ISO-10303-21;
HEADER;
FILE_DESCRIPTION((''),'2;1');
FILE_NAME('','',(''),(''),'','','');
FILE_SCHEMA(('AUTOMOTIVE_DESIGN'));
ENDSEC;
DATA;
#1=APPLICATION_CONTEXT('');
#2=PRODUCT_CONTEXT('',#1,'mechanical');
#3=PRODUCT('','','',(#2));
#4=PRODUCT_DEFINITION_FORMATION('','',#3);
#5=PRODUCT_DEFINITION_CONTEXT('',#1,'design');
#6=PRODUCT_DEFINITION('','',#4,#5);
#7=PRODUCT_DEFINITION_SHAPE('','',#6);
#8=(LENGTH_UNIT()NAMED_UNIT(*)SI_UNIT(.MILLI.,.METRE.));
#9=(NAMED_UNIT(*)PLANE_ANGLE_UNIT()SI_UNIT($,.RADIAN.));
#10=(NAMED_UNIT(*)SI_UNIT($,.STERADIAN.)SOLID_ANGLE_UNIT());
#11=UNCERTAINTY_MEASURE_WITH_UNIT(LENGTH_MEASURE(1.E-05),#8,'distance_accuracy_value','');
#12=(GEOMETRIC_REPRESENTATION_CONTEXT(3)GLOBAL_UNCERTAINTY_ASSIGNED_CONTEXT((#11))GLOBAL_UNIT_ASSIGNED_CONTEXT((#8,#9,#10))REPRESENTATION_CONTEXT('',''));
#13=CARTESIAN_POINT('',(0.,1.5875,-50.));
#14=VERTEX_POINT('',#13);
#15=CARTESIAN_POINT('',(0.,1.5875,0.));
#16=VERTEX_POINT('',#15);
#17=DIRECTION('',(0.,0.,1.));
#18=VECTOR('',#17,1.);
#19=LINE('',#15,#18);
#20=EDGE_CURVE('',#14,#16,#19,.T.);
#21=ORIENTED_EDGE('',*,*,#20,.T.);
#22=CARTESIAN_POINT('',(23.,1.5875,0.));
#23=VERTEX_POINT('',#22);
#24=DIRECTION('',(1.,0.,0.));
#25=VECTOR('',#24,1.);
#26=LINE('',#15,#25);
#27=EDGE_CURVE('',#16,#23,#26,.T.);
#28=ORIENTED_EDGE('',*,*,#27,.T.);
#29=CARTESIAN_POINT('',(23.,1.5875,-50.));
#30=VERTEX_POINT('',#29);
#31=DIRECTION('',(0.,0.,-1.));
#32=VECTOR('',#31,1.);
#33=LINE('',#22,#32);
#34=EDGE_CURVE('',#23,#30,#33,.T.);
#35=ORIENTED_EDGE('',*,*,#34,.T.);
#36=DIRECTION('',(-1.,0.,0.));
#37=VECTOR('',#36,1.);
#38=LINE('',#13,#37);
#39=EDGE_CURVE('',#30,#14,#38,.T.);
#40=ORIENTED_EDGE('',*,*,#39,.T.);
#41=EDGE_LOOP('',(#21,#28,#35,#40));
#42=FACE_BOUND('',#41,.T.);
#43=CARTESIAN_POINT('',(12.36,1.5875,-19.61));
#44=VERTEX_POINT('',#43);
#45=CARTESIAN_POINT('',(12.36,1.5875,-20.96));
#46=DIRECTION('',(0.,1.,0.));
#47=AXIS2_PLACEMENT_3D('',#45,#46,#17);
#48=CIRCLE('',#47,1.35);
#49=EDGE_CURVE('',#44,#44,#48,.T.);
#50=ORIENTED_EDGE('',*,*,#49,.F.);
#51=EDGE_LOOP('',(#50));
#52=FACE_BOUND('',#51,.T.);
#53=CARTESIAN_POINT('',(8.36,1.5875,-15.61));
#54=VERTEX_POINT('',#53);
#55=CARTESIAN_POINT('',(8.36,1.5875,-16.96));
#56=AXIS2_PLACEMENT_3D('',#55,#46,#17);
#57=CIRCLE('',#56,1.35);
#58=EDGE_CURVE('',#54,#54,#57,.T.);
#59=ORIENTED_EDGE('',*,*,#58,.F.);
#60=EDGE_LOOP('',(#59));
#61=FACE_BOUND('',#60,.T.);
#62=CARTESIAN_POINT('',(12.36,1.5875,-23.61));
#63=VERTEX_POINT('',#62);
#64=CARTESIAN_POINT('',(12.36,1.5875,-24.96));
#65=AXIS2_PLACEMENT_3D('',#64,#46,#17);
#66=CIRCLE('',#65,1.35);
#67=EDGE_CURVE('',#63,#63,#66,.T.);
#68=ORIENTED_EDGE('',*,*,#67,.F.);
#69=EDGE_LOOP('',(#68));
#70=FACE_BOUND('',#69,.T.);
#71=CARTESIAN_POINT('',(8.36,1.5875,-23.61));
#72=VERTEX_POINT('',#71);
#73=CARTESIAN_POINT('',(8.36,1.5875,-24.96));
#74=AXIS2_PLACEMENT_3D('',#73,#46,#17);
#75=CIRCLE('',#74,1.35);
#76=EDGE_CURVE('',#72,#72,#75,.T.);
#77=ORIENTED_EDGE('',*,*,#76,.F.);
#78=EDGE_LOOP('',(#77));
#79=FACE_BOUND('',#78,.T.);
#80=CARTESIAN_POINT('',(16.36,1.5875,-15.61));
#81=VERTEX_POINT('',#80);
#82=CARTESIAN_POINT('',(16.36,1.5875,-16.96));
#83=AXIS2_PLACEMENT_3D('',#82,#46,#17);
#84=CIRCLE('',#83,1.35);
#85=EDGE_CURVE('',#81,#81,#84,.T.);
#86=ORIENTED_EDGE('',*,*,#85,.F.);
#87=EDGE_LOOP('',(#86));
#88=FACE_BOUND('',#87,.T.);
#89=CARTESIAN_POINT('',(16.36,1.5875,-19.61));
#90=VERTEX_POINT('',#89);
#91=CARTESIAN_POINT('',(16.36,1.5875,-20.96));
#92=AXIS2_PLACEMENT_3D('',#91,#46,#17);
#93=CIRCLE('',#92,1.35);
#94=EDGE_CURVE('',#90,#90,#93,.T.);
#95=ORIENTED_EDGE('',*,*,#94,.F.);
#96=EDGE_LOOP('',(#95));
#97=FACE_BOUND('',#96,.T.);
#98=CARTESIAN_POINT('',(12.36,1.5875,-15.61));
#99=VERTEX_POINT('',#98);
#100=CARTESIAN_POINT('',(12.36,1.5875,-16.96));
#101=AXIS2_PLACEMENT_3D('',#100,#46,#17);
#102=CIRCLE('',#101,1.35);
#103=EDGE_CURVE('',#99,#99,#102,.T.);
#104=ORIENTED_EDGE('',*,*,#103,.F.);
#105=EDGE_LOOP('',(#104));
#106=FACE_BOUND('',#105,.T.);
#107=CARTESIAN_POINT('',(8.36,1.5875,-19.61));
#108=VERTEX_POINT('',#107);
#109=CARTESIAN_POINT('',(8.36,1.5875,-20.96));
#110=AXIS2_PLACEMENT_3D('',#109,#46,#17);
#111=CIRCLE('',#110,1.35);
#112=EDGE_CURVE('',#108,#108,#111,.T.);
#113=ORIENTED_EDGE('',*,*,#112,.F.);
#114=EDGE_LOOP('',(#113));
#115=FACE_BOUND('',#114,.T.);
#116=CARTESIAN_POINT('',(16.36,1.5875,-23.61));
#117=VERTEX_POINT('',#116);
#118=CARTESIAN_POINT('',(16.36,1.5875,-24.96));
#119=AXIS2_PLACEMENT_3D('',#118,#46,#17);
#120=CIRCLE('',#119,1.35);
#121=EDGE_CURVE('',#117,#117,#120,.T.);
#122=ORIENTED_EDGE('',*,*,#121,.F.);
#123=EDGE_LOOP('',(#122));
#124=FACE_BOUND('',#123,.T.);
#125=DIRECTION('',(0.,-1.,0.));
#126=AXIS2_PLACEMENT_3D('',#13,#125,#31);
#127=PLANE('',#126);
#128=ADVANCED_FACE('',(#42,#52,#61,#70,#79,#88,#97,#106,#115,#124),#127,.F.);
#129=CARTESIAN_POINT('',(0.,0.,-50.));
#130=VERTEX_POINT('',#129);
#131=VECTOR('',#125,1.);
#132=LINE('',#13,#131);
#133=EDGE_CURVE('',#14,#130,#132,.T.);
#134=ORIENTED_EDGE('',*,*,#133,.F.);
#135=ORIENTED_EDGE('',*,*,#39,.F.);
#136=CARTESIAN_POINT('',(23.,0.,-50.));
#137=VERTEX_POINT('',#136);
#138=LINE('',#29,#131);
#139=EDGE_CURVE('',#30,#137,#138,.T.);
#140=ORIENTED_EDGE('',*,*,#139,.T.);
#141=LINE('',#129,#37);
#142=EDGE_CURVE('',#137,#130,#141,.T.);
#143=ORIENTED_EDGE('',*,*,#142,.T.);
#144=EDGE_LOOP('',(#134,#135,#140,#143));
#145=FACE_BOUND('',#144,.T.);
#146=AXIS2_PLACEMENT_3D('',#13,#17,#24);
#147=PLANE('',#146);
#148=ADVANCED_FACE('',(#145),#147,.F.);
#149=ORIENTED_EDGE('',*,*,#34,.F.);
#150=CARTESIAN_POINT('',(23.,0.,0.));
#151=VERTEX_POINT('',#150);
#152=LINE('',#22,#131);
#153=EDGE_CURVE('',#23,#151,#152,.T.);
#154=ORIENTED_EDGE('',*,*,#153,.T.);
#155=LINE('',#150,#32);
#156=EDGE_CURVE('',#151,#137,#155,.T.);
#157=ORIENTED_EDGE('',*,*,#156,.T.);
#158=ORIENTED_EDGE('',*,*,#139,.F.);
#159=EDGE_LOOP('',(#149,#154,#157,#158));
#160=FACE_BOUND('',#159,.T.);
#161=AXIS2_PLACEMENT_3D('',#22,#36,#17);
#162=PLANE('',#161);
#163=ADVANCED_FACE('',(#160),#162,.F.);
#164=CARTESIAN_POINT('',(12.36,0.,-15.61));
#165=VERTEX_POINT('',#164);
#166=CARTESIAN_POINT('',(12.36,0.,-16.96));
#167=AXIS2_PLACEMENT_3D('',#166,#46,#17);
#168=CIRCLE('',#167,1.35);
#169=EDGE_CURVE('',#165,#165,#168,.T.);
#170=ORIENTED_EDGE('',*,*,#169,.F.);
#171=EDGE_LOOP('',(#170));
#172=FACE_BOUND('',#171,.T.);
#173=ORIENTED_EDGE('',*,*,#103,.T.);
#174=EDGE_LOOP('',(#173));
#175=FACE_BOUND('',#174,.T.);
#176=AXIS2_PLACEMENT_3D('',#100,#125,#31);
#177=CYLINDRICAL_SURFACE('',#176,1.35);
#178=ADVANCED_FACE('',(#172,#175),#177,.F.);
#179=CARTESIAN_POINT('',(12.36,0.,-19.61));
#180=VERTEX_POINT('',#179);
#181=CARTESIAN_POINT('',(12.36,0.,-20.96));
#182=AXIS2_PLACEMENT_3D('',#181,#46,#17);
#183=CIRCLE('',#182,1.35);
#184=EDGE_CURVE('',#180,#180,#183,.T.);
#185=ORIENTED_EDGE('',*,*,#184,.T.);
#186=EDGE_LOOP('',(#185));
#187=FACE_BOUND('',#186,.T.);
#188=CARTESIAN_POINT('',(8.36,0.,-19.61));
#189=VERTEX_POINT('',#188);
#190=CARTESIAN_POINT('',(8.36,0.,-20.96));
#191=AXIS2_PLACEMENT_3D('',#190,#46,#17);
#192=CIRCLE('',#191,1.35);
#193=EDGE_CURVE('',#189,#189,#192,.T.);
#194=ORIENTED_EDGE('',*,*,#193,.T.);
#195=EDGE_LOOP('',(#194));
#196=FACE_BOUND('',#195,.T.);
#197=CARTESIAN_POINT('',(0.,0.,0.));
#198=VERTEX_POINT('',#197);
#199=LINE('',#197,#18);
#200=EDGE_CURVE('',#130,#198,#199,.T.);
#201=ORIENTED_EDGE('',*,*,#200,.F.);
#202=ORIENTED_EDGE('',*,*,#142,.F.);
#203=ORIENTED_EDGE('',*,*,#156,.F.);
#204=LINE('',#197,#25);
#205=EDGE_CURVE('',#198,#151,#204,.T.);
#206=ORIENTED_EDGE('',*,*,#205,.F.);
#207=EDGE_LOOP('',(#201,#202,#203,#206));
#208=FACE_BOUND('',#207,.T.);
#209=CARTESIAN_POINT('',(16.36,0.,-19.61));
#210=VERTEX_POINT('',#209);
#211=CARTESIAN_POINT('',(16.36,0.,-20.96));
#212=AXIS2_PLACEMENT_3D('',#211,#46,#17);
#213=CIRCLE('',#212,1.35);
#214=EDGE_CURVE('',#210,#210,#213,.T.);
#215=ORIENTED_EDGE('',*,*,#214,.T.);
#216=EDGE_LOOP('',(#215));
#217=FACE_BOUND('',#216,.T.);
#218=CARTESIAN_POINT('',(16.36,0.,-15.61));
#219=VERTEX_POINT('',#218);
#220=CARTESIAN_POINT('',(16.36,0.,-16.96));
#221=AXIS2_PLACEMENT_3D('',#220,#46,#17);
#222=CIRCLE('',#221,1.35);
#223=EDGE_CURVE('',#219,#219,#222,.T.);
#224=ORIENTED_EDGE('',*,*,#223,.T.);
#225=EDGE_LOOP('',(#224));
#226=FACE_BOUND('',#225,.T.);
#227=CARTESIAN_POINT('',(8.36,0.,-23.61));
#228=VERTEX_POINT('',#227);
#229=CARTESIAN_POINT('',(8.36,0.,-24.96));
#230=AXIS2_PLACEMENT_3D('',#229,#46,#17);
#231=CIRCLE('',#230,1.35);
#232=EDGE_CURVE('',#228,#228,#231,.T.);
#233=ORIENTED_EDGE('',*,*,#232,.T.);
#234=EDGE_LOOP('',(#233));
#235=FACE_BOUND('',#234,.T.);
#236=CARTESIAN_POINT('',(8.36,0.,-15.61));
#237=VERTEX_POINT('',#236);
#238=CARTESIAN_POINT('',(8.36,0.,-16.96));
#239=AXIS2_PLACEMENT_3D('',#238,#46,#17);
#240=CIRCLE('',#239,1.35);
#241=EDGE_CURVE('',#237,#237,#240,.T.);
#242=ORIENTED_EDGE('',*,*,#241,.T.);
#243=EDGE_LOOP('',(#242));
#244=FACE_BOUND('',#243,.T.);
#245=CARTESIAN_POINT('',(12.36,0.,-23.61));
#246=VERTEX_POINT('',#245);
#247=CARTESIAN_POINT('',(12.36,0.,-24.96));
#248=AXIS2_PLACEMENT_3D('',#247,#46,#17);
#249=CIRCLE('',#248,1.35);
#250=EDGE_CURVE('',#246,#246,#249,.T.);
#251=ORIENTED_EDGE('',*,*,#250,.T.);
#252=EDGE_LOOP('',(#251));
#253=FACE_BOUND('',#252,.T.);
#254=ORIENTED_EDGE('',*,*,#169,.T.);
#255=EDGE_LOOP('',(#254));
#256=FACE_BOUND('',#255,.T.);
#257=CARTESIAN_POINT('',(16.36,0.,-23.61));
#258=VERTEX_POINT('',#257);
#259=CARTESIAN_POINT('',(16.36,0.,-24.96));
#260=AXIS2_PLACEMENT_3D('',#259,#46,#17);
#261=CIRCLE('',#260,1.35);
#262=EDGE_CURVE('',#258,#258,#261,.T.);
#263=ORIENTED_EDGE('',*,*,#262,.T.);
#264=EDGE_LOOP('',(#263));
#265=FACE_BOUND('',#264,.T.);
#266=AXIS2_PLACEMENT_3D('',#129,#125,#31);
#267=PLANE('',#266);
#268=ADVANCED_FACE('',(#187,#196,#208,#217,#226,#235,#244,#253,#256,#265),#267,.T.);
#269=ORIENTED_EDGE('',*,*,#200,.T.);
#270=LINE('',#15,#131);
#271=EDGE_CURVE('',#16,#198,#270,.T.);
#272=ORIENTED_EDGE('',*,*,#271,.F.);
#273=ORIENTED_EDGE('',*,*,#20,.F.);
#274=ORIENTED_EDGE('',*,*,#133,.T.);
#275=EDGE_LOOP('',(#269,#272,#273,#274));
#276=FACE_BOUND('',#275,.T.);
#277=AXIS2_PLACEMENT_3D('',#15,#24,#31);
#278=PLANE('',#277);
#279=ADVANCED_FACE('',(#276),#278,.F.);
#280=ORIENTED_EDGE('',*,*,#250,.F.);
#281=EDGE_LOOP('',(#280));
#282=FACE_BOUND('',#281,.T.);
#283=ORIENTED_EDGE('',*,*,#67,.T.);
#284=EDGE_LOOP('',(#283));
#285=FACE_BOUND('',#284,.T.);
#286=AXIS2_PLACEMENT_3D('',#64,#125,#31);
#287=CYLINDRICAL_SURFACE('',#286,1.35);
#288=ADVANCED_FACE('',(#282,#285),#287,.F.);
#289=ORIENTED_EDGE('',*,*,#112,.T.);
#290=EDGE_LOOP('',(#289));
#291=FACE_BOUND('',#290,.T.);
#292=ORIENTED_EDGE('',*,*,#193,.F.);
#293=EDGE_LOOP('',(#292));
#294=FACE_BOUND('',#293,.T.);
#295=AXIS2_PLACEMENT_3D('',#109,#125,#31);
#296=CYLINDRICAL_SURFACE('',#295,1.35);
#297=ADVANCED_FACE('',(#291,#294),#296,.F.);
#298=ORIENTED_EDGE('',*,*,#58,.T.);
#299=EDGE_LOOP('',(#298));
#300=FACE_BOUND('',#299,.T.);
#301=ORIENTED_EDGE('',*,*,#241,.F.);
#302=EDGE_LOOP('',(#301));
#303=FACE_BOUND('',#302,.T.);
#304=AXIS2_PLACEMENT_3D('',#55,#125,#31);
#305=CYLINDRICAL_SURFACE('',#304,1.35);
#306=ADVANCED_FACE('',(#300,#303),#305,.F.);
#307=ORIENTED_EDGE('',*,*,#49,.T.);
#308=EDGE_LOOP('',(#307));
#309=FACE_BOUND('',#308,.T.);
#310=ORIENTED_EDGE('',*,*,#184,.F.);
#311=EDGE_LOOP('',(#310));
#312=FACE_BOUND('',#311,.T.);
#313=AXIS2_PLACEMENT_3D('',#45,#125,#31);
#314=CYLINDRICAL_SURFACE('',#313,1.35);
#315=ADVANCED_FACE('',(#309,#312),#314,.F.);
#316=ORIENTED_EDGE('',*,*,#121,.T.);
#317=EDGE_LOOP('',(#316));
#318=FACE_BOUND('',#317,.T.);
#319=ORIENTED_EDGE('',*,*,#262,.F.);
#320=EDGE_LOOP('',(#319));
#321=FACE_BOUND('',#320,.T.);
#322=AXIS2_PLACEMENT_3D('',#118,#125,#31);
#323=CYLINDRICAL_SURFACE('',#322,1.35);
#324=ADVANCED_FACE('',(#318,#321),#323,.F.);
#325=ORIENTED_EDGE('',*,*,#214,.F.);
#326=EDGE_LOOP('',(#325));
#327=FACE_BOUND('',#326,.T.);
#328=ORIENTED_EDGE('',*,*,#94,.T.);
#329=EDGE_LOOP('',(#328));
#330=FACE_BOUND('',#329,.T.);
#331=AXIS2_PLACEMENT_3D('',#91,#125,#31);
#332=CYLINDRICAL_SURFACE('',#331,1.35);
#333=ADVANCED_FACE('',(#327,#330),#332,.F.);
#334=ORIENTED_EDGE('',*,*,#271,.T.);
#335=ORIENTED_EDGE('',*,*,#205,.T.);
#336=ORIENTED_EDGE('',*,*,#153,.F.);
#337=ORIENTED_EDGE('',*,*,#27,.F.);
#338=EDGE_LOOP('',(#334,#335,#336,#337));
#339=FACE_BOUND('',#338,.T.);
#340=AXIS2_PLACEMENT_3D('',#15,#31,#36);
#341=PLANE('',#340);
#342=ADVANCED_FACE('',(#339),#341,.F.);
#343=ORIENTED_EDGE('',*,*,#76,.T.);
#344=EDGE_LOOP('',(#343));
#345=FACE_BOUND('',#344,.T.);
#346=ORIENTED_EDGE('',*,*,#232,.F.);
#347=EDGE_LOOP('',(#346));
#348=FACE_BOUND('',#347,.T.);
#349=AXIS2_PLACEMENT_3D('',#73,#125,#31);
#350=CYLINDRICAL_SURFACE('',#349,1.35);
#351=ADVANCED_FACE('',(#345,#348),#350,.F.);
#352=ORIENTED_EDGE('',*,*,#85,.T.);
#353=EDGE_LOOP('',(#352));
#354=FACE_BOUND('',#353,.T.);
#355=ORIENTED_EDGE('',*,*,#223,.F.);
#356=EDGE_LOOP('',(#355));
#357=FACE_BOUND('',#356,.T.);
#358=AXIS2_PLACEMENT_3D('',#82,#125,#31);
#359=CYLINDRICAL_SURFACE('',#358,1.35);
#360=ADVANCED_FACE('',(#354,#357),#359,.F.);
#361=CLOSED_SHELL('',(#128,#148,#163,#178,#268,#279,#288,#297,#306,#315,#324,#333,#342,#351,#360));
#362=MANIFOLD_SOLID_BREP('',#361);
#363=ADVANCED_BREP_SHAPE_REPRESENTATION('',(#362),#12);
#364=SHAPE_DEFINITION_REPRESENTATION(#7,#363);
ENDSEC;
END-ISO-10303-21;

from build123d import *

# Parameters (mm, degrees)
SKETCH1_W           = 23
SKETCH1_H           = 50
SKETCH1_R           = 1.35
BOSS_EXTRUDE1_DEPTH = 1.5875


with BuildPart() as part:
    # Sketch1 → Boss-Extrude1 (new body)
    with BuildSketch(Plane(origin=(0, 0, 0), x_dir=(1, 0, 0), z_dir=(0, 1, 0))):
        with Locations((11.5, 25)):
            Rectangle(SKETCH1_W, SKETCH1_H)
        with Locations((8.36, 16.96)):
            Circle(SKETCH1_R, mode=Mode.SUBTRACT)
        with Locations((12.36, 16.96)):
            Circle(SKETCH1_R, mode=Mode.SUBTRACT)
        with Locations((16.36, 16.96)):
            Circle(SKETCH1_R, mode=Mode.SUBTRACT)
        with Locations((8.36, 20.96)):
            Circle(SKETCH1_R, mode=Mode.SUBTRACT)
        with Locations((12.36, 20.96)):
            Circle(SKETCH1_R, mode=Mode.SUBTRACT)
        with Locations((16.36, 20.96)):
            Circle(SKETCH1_R, mode=Mode.SUBTRACT)
        with Locations((8.36, 24.96)):
            Circle(SKETCH1_R, mode=Mode.SUBTRACT)
        with Locations((12.36, 24.96)):
            Circle(SKETCH1_R, mode=Mode.SUBTRACT)
        with Locations((16.36, 24.96)):
            Circle(SKETCH1_R, mode=Mode.SUBTRACT)
    extrude(amount=BOSS_EXTRUDE1_DEPTH)


solid = part.part
